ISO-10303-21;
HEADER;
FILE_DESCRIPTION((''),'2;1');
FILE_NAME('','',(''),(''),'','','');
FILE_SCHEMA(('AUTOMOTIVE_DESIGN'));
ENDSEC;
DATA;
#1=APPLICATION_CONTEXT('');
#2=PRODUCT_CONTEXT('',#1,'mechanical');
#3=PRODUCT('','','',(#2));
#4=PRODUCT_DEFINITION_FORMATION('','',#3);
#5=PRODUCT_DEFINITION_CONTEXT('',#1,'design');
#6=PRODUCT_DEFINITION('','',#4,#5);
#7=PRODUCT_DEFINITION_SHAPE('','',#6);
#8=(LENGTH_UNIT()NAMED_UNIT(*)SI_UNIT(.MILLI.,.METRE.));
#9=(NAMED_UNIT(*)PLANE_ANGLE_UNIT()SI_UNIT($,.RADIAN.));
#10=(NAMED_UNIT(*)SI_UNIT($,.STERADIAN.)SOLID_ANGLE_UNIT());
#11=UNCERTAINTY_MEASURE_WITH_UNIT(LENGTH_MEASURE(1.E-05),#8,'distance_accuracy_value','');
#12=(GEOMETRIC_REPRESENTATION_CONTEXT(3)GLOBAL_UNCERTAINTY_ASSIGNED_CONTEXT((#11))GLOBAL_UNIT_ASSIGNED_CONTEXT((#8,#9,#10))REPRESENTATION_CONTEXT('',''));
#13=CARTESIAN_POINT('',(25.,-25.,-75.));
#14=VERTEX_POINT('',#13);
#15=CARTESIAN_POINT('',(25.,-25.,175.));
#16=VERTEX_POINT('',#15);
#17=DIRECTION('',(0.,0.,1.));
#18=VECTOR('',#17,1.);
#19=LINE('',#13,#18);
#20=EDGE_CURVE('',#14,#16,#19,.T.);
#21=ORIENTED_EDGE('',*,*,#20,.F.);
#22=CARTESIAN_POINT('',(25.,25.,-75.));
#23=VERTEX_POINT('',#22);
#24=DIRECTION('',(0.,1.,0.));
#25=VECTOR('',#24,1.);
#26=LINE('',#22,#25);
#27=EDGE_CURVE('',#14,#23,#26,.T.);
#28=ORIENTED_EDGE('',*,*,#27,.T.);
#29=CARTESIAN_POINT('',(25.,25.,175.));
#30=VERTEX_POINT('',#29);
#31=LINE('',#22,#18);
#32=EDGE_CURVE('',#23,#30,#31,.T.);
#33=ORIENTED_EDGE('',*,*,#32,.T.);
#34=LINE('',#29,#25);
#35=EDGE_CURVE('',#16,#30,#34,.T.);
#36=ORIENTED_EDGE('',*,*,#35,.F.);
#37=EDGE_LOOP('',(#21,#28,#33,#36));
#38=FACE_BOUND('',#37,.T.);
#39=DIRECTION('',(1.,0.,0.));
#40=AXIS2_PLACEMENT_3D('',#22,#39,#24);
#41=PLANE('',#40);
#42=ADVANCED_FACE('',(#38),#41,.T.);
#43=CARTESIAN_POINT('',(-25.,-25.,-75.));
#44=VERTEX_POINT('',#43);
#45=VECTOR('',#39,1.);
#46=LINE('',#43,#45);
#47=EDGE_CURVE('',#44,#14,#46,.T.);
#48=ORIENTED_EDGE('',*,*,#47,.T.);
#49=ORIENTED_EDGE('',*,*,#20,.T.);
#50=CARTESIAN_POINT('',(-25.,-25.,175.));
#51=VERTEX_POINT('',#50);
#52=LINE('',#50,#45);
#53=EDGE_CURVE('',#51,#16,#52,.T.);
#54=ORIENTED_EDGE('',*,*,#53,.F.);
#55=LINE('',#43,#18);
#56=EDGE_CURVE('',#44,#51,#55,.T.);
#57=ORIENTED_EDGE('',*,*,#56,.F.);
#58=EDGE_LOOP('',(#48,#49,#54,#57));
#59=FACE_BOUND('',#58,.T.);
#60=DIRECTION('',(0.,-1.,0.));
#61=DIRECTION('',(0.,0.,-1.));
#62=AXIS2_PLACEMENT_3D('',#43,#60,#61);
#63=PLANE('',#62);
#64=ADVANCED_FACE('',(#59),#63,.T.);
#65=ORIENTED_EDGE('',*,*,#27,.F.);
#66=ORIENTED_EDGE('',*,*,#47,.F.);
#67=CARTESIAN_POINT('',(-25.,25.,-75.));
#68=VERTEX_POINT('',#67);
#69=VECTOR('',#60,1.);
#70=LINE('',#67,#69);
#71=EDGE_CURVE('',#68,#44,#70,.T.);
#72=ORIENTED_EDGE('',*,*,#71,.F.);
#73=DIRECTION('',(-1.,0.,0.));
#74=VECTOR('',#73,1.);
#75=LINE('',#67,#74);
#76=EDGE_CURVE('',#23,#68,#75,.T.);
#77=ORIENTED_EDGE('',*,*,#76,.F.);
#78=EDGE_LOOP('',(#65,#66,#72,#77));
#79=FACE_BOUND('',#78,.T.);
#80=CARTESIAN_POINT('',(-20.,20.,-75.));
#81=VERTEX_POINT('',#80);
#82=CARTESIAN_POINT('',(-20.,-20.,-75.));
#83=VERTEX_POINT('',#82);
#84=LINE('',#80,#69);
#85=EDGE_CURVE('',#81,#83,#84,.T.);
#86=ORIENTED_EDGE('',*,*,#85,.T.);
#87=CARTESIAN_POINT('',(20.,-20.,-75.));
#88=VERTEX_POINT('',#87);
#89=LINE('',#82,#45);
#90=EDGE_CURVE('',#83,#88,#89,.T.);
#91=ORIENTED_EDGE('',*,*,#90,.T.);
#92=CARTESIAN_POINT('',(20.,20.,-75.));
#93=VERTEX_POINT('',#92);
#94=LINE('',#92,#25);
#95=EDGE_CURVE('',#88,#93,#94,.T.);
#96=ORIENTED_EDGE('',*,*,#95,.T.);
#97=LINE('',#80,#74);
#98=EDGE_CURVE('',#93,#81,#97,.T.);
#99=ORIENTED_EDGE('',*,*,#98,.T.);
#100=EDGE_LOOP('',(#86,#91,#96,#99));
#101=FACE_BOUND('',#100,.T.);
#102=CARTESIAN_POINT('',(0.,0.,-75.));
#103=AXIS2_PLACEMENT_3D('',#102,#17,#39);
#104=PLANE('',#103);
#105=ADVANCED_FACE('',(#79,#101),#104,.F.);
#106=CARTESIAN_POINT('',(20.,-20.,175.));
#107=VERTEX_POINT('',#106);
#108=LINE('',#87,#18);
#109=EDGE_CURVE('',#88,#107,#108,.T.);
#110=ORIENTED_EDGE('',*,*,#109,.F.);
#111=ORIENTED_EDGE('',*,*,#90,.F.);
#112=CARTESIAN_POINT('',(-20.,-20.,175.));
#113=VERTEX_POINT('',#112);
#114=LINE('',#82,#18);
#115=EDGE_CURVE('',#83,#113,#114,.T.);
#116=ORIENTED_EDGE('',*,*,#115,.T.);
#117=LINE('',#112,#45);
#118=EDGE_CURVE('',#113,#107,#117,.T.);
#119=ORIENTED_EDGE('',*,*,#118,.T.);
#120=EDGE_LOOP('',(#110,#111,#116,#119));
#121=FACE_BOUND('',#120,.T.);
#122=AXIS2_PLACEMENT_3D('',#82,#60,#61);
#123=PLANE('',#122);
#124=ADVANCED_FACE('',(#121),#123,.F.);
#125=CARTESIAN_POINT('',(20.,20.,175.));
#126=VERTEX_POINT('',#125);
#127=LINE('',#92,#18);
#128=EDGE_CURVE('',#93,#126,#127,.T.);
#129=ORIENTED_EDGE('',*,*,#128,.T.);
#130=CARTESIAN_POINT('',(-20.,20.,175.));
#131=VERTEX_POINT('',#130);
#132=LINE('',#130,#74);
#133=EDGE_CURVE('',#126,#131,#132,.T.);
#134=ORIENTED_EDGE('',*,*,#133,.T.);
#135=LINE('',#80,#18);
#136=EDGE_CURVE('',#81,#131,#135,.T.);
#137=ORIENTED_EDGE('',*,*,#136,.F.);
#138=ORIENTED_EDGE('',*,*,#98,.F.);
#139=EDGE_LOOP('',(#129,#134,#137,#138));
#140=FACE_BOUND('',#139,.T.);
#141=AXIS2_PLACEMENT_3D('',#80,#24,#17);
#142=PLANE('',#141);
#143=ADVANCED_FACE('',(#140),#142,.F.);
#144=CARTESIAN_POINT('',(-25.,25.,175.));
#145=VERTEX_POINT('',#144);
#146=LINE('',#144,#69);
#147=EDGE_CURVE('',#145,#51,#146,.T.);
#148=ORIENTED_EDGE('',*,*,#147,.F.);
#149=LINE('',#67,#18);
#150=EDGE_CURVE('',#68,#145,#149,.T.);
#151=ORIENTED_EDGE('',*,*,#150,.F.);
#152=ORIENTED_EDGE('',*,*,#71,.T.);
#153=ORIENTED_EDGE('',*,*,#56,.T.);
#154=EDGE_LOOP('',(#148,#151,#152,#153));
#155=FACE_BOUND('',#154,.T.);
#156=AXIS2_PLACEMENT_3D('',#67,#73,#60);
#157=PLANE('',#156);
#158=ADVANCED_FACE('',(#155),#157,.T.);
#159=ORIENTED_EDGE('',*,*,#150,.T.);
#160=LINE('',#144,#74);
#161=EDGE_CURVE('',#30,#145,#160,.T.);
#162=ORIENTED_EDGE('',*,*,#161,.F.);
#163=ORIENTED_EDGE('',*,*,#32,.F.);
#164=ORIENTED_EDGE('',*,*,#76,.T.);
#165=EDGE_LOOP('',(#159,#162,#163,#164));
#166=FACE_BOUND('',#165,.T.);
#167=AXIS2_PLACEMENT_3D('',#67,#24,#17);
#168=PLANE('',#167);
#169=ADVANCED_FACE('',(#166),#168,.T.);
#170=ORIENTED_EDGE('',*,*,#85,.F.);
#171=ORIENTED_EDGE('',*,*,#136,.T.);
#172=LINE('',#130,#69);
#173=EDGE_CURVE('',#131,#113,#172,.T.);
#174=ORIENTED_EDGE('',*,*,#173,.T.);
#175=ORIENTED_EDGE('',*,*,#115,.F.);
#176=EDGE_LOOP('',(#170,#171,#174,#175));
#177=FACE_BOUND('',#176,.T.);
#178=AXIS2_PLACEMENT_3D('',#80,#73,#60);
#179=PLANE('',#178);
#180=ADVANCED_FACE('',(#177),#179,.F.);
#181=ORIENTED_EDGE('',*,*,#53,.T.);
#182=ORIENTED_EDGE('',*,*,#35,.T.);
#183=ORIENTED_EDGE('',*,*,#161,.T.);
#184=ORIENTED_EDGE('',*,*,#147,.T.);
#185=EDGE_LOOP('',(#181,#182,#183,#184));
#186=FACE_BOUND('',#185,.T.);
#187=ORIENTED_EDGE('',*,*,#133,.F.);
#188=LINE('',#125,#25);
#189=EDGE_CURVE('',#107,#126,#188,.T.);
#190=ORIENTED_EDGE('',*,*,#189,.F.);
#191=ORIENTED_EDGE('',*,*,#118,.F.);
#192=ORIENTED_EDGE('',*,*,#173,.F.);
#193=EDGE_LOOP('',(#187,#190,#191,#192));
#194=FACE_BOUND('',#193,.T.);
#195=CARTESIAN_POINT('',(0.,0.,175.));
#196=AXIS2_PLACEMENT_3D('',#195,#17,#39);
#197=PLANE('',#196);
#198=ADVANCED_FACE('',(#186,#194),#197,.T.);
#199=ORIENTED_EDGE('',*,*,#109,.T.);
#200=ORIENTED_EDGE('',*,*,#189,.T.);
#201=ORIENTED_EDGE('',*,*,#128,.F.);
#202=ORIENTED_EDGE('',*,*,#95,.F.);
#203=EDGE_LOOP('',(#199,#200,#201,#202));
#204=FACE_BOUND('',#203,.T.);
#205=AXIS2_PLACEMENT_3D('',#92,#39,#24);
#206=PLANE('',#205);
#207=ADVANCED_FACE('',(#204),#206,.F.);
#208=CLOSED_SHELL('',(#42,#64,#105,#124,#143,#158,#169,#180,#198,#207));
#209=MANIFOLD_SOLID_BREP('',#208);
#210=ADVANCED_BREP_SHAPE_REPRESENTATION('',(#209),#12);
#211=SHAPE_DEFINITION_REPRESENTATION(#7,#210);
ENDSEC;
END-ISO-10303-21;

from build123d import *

# Parameters (mm, degrees)
BOSS_EXTRUDE1_DEPTH      = 175
BOSS_EXTRUDE1_DEPTH_BACK = 75
SKETCH1_W                = 50
SKETCH1_H                = 50
SKETCH1_W_2              = 40
SKETCH1_H_2              = 40


with BuildPart() as part:
    # Sketch1 → Boss-Extrude1 (new, two sides: drawn at the far end of the back side and taken through both)
    with BuildSketch(Plane.XY.offset(-BOSS_EXTRUDE1_DEPTH_BACK)):
        Rectangle(SKETCH1_W, SKETCH1_H)
        Rectangle(SKETCH1_W_2, SKETCH1_H_2, mode=Mode.SUBTRACT)
    extrude(amount=BOSS_EXTRUDE1_DEPTH + BOSS_EXTRUDE1_DEPTH_BACK)


solid = part.part
